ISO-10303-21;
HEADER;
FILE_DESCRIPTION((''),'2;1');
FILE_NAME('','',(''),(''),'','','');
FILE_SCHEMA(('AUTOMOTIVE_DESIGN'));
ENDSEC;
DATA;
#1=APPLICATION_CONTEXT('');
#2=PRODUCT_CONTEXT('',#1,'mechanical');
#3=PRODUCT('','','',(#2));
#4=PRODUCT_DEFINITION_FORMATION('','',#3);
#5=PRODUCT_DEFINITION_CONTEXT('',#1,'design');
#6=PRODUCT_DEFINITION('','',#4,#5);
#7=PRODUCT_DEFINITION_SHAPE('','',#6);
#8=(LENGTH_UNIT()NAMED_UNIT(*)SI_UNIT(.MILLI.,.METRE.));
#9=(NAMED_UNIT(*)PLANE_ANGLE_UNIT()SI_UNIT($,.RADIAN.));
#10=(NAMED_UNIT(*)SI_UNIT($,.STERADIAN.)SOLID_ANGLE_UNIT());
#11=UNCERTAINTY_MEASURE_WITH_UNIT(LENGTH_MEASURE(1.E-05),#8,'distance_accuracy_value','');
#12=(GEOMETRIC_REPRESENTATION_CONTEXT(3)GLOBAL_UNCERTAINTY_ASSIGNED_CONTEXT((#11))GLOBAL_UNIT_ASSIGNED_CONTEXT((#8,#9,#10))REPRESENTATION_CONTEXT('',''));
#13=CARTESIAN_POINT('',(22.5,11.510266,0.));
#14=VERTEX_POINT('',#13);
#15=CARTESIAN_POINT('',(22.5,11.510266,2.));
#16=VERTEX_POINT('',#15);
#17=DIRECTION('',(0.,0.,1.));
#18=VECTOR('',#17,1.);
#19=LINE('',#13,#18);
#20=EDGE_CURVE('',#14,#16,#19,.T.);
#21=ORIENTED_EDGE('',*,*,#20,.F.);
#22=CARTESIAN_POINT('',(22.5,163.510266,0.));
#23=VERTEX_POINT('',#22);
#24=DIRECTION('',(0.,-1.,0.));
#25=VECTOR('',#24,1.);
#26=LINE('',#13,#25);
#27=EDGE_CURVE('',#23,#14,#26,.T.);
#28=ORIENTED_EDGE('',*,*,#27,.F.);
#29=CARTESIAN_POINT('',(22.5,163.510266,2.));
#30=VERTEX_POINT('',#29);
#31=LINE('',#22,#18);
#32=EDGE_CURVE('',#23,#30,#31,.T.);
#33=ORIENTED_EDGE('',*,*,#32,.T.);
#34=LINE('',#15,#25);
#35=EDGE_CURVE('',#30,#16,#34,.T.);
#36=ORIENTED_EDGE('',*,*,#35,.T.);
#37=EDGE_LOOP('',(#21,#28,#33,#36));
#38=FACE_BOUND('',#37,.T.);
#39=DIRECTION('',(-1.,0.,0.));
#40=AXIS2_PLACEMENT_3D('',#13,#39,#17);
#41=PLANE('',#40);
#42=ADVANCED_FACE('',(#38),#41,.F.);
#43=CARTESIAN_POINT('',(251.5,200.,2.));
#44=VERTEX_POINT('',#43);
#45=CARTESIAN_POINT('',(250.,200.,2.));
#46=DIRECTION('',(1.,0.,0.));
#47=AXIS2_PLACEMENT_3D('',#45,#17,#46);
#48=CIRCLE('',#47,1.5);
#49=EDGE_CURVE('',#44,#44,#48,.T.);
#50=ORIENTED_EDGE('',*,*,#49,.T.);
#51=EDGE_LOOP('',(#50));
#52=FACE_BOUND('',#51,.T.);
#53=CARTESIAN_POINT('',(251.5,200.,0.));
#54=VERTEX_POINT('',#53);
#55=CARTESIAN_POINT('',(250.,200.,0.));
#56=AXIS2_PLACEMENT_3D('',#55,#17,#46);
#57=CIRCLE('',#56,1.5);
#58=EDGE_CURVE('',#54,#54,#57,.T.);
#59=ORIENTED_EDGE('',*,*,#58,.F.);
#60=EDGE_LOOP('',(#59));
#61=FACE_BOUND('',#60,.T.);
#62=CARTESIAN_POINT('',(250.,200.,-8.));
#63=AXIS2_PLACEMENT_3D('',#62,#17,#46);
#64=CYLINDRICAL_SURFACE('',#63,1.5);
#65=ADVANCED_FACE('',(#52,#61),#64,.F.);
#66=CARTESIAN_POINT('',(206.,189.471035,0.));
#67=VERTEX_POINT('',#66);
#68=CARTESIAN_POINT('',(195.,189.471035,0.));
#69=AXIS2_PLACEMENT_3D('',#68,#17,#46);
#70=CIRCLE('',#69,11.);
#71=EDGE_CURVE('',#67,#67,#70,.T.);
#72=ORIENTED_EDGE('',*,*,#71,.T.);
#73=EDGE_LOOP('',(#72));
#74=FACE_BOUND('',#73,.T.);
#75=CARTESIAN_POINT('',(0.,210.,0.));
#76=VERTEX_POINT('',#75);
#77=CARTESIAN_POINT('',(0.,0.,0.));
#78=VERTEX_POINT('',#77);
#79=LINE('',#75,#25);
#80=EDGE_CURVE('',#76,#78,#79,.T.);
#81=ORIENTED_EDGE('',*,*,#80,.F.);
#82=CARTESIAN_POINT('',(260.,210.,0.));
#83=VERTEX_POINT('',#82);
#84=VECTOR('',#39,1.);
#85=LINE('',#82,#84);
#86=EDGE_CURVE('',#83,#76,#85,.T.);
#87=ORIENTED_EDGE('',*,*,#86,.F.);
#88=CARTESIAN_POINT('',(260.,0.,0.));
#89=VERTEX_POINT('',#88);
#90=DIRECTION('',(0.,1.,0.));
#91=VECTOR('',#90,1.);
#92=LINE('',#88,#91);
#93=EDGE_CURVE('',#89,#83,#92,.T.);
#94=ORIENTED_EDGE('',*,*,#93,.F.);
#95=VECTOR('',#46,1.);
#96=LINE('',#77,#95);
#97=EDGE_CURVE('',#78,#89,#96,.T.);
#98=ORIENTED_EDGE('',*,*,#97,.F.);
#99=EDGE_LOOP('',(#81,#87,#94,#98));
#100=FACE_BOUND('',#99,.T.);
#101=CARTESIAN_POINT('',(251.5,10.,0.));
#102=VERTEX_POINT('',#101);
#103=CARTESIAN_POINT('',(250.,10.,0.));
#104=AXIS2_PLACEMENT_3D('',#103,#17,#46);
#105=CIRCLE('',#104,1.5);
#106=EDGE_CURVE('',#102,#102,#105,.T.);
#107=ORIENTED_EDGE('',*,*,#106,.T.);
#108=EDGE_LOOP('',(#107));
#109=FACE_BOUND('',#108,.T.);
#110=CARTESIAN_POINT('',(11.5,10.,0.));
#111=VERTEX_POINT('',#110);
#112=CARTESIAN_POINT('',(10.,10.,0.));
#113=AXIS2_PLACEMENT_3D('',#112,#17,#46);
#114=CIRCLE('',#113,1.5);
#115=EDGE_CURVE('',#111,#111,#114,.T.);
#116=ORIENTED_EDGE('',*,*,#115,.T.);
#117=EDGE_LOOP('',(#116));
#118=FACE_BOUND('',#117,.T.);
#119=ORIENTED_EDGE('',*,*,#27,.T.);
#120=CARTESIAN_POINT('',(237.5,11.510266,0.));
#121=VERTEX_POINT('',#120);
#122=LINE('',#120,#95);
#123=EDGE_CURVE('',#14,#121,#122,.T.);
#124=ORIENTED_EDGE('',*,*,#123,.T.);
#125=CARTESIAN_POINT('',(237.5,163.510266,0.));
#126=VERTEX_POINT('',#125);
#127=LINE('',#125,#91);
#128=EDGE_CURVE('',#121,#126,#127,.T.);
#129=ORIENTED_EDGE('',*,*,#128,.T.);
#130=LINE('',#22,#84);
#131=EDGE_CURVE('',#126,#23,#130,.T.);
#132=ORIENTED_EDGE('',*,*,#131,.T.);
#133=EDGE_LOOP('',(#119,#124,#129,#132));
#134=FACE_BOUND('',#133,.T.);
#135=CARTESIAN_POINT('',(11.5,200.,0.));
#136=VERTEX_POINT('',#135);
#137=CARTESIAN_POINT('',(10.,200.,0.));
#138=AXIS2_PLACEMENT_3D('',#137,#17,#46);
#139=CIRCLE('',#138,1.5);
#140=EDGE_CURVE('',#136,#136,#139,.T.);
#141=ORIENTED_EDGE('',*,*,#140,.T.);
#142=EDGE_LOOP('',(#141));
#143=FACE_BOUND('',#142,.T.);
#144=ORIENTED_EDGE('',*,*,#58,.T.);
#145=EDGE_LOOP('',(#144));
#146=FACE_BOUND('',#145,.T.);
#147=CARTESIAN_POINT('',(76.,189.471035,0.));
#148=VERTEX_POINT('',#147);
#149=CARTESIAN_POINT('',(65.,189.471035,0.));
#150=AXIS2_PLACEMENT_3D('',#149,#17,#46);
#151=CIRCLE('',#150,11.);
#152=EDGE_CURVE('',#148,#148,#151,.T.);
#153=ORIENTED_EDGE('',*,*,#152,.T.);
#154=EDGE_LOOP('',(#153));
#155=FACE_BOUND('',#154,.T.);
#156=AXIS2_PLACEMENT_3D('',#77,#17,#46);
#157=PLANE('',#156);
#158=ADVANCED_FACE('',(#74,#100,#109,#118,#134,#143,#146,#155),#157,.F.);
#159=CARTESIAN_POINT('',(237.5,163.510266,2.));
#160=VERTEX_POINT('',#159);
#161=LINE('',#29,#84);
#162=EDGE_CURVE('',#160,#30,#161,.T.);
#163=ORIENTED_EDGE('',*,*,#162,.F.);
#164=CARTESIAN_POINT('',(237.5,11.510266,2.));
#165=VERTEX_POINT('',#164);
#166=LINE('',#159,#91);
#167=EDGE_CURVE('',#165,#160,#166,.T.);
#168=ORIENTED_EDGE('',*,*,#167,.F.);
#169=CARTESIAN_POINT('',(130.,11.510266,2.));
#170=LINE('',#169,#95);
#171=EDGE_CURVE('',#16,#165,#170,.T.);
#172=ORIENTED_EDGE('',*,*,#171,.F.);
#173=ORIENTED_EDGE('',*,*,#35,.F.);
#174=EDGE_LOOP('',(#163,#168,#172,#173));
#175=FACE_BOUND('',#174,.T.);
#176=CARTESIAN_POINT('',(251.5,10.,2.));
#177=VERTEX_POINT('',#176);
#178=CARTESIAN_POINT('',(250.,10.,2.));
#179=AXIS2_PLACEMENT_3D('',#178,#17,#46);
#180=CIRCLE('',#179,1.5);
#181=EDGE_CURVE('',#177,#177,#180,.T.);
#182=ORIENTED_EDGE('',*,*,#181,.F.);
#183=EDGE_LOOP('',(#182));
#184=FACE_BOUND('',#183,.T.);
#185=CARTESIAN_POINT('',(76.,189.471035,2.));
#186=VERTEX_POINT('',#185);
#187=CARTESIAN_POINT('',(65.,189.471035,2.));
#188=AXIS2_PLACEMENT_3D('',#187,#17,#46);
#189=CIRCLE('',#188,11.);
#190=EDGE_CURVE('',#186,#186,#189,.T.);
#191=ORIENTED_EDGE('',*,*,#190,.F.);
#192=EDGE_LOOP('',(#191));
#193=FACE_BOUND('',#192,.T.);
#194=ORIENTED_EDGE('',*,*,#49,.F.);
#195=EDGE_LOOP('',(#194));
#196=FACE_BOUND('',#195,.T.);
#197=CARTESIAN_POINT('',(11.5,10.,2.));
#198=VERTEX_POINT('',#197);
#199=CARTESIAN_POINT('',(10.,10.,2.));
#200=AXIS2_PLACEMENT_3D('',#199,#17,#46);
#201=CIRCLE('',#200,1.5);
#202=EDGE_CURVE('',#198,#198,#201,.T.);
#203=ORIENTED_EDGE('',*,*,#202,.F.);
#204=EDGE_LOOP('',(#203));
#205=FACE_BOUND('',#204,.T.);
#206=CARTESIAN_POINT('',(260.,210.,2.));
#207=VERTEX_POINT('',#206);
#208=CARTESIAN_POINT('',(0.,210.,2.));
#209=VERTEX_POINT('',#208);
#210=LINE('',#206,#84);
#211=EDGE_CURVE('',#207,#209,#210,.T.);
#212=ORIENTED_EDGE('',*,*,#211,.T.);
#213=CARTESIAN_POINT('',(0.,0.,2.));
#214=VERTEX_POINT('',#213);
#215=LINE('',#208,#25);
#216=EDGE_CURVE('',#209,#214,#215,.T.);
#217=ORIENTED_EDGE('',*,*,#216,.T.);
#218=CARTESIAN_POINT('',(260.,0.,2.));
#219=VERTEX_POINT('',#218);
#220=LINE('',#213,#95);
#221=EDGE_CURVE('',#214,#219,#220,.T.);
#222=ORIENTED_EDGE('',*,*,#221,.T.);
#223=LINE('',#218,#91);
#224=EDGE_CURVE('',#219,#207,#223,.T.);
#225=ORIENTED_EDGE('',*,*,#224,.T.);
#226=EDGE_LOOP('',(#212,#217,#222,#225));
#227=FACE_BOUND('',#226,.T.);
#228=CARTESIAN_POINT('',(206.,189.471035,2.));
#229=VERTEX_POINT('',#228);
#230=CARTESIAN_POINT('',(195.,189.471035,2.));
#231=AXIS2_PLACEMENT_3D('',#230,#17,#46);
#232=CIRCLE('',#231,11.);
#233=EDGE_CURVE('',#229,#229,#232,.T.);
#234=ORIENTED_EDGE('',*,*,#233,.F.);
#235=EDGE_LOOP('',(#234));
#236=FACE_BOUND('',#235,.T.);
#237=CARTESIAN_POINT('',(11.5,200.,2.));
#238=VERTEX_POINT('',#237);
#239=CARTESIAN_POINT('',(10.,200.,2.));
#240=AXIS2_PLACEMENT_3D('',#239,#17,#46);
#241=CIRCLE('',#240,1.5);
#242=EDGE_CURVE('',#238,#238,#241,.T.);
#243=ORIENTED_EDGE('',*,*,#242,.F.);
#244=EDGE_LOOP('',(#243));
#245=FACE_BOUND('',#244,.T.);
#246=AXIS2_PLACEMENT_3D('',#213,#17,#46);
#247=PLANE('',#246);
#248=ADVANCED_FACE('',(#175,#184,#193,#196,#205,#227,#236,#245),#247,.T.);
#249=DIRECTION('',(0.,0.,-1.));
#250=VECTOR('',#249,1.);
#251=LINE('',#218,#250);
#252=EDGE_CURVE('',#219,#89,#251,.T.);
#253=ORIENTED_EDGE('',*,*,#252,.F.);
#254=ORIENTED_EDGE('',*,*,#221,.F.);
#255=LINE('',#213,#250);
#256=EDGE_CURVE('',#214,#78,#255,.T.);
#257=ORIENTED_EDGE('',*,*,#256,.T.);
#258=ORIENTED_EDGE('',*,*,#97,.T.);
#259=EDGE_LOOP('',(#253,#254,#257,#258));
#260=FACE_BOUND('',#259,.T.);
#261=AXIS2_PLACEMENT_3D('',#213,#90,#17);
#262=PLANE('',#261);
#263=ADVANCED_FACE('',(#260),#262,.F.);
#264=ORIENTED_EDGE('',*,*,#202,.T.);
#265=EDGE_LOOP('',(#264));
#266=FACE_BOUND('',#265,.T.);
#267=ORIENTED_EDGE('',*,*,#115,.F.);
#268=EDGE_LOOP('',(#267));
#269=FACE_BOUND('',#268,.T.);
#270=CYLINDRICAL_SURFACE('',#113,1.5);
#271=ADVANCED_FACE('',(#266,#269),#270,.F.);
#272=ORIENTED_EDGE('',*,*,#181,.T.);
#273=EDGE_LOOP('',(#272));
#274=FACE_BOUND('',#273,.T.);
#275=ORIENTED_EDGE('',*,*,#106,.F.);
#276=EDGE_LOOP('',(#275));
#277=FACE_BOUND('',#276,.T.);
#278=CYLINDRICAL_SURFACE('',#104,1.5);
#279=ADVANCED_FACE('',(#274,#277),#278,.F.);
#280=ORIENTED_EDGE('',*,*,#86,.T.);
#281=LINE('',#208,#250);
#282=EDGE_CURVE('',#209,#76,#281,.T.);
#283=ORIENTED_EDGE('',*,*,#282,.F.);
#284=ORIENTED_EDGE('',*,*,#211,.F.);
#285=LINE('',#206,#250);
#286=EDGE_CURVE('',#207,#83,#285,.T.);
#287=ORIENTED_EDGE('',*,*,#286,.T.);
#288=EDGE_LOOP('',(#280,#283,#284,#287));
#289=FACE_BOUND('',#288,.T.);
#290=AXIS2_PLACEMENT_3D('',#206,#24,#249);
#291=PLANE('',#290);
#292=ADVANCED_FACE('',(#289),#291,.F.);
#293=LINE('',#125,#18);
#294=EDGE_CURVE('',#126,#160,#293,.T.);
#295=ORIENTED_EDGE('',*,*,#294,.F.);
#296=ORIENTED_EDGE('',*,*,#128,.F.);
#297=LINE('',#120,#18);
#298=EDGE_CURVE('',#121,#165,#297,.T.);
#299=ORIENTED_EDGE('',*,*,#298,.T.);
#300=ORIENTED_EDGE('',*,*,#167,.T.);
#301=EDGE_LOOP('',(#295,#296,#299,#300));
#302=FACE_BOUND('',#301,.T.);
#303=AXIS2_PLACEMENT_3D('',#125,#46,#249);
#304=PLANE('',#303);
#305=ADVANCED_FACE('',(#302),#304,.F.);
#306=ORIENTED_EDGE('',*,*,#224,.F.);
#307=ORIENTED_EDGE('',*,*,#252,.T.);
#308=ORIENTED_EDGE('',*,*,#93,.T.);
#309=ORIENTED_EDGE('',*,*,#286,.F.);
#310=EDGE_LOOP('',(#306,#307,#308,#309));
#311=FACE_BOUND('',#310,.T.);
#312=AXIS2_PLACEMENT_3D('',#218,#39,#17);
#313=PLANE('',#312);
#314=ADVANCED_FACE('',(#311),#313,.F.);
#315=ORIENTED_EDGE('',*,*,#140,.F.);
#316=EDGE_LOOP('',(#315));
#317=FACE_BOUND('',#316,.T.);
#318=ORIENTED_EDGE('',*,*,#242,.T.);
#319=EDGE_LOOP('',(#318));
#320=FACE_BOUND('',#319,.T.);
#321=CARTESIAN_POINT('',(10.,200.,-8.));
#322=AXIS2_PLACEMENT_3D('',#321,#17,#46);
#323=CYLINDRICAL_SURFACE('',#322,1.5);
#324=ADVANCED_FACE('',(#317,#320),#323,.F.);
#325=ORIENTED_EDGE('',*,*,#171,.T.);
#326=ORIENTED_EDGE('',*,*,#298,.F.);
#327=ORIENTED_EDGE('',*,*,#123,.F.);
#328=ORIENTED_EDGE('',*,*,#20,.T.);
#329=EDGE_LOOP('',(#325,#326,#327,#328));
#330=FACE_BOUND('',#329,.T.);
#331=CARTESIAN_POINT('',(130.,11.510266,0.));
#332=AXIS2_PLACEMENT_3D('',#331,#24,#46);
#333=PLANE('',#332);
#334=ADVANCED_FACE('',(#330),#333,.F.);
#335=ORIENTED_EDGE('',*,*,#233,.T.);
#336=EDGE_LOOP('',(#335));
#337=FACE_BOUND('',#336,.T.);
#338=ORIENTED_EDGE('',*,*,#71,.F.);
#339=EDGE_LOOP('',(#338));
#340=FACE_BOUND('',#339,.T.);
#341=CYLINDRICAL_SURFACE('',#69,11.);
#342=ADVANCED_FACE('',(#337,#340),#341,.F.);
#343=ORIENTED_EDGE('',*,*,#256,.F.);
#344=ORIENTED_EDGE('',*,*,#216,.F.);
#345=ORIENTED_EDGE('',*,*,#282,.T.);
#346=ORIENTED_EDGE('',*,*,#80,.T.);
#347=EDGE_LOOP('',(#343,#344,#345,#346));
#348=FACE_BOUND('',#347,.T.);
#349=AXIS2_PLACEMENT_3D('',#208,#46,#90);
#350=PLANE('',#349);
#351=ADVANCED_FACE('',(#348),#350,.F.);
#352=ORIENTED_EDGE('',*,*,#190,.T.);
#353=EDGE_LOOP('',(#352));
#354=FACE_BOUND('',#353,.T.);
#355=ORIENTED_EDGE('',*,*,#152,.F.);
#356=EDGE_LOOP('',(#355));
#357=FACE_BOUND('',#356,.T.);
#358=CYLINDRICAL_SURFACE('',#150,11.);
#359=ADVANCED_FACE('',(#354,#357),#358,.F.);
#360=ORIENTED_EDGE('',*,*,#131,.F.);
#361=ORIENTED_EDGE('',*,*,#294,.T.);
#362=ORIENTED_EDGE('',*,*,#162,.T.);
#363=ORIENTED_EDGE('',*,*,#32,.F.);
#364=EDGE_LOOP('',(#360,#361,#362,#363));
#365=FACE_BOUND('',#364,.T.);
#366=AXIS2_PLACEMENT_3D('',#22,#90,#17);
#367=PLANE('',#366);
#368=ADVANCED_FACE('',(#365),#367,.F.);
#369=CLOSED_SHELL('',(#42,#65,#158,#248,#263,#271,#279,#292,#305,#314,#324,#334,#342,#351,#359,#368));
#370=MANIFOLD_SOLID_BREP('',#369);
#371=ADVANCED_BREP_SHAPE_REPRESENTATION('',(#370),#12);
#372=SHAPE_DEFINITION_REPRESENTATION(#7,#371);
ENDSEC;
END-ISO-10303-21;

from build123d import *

# Parameters (mm, degrees)
SKETCH_1_W          = 260
SKETCH_1_H          = 210
EXTRUDE_1_DEPTH     = 2
SKETCH_2_R          = 11
CUT_EXTRUDE_1_DEPTH = 2
SKETCH_3_R          = 1.5
CUT_EXTRUDE_2_DEPTH = 2
SKETCH_4_R          = 1.5
CUT_EXTRUDE_3_DEPTH = 10


with BuildPart() as part:
    # 草图1 → 凸台-拉伸1 (new body)
    with BuildSketch(Plane.XY):
        with Locations((130, 105)):
            Rectangle(SKETCH_1_W, SKETCH_1_H)
    extrude(amount=EXTRUDE_1_DEPTH)

    # 草图2 → 切除-拉伸1 (cut)
    with BuildSketch(Plane.XY.offset(2)):
        with Locations((65, 189.471035353)):
            Circle(SKETCH_2_R)
        with Locations((195, 189.471035353)):
            Circle(SKETCH_2_R)
        Polygon((130, 11.510265982), (22.5, 11.510265982), (22.5, 163.510265982), (237.5, 163.510265982), (237.5, 11.510265982), align=None)
    extrude(amount=-CUT_EXTRUDE_1_DEPTH, mode=Mode.SUBTRACT)

    # 草图3 → 切除-拉伸2 (cut)
    with BuildSketch(Plane.XY.offset(2)):
        with Locations((250, 230)):
            Circle(SKETCH_3_R)
        with Locations((10, 10)):
            Circle(SKETCH_3_R)
        with Locations((250, 10)):
            Circle(SKETCH_3_R)
        with Locations((10, 230)):
            Circle(SKETCH_3_R)
    extrude(amount=-CUT_EXTRUDE_2_DEPTH, mode=Mode.SUBTRACT)

    # 草图4 → 切除-拉伸3 (cut)
    with BuildSketch(Plane.XY.offset(2)):
        with Locations((10, 200)):
            Circle(SKETCH_4_R)
        with Locations((250, 200)):
            Circle(SKETCH_4_R)
    extrude(amount=-CUT_EXTRUDE_3_DEPTH, mode=Mode.SUBTRACT)


solid = part.part
